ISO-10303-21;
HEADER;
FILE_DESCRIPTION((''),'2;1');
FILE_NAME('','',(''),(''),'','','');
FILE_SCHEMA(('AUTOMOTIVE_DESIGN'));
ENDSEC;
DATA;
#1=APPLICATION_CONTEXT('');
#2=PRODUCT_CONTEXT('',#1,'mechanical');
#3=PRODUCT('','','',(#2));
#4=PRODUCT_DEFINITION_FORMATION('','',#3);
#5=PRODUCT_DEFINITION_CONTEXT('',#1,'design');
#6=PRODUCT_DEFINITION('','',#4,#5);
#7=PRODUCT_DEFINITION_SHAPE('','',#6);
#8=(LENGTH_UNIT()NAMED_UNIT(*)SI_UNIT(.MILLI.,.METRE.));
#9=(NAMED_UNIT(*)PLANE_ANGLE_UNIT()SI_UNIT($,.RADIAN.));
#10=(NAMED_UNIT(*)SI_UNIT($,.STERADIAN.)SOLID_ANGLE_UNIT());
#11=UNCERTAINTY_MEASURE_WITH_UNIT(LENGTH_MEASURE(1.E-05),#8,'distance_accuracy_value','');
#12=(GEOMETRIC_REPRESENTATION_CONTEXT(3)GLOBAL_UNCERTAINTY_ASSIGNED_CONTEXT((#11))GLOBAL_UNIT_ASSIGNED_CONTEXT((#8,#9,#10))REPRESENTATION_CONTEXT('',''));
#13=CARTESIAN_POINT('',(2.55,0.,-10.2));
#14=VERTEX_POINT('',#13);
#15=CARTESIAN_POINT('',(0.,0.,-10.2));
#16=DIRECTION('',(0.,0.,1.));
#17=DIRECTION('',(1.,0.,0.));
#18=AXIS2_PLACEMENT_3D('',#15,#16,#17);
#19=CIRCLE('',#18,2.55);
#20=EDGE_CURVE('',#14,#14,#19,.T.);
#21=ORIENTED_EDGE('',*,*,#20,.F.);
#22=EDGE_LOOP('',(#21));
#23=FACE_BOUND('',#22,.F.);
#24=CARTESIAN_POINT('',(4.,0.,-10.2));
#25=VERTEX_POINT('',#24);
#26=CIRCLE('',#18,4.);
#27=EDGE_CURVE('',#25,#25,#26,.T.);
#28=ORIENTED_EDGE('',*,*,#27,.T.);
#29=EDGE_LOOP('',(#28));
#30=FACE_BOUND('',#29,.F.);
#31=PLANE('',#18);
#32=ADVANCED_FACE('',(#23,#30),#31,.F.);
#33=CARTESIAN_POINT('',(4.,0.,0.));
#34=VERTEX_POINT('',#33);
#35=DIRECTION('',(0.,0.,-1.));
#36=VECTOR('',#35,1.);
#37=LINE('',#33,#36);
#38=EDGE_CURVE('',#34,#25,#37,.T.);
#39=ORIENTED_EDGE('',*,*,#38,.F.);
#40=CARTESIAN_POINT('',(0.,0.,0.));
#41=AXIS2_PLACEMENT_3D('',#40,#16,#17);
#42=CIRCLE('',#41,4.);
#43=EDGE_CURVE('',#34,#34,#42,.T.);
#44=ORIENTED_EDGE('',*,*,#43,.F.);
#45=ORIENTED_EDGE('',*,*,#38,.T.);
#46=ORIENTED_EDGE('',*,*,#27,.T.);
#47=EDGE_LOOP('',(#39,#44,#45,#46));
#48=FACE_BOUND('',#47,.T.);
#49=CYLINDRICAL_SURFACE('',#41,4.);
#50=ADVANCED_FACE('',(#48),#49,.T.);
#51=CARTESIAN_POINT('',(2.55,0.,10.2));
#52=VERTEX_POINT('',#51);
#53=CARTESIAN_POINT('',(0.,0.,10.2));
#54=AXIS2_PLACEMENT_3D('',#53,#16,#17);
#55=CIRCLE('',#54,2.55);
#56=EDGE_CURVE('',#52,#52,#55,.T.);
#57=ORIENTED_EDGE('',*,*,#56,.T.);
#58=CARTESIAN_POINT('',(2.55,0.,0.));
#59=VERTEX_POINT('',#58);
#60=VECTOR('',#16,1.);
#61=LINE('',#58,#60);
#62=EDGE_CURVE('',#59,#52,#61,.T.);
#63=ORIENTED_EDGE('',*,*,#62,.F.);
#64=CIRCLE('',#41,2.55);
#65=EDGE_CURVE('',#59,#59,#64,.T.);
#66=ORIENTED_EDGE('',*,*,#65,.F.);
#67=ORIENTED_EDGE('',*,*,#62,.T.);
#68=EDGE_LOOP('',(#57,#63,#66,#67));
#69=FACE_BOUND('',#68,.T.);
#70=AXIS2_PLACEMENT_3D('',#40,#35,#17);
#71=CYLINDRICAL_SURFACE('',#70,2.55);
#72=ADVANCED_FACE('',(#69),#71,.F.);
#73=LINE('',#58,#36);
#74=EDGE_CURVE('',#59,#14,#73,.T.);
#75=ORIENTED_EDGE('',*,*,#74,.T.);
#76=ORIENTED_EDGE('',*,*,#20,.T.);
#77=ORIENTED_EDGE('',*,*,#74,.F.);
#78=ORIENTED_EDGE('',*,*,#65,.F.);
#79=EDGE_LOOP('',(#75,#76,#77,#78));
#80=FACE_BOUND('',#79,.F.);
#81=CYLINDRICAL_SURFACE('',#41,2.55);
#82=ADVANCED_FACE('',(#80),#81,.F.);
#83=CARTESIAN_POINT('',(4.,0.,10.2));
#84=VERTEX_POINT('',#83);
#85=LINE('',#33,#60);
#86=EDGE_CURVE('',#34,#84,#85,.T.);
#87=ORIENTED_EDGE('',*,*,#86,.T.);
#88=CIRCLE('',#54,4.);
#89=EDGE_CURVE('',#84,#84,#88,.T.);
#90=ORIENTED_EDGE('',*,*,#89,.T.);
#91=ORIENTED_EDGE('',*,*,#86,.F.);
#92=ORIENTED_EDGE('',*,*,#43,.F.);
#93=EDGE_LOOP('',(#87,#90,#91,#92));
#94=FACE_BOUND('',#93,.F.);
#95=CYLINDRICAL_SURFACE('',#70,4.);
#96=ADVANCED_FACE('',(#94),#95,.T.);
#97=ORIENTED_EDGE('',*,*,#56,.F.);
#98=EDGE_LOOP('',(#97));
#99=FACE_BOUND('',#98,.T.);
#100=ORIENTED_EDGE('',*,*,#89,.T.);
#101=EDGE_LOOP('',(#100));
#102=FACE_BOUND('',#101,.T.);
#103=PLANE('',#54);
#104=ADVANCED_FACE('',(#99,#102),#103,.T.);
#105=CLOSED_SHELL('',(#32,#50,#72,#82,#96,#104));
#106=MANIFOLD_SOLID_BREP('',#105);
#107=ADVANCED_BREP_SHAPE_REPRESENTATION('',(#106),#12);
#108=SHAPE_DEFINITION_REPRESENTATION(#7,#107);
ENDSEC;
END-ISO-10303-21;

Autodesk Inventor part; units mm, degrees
ref_plane "YZ Plane" through (0, 0, 0) normal (1, 0, 0) x (0, 1, 0)
ref_plane "XZ Plane" through (0, 0, 0) normal (0, 1, 0) x (-1, 0, 0)
ref_plane "XY Plane" through (0, 0, 0) normal (0, 0, 1) x (1, 0, 0)
sketch "Sketch1" plane through (0, 0, 0) normal (0, 0, 1) x (1, 0, 0)
  circle A0 centre (0, 0) radius 2.55
  circle A1 centre (0, 0) radius 4
  dimension "d0" = 5.1
  dimension "d1" = 8
extrude "Extrusion1" add sketch "Sketch1" along normal mid plane 20.4
properties part number "HelicalGearShaft"
